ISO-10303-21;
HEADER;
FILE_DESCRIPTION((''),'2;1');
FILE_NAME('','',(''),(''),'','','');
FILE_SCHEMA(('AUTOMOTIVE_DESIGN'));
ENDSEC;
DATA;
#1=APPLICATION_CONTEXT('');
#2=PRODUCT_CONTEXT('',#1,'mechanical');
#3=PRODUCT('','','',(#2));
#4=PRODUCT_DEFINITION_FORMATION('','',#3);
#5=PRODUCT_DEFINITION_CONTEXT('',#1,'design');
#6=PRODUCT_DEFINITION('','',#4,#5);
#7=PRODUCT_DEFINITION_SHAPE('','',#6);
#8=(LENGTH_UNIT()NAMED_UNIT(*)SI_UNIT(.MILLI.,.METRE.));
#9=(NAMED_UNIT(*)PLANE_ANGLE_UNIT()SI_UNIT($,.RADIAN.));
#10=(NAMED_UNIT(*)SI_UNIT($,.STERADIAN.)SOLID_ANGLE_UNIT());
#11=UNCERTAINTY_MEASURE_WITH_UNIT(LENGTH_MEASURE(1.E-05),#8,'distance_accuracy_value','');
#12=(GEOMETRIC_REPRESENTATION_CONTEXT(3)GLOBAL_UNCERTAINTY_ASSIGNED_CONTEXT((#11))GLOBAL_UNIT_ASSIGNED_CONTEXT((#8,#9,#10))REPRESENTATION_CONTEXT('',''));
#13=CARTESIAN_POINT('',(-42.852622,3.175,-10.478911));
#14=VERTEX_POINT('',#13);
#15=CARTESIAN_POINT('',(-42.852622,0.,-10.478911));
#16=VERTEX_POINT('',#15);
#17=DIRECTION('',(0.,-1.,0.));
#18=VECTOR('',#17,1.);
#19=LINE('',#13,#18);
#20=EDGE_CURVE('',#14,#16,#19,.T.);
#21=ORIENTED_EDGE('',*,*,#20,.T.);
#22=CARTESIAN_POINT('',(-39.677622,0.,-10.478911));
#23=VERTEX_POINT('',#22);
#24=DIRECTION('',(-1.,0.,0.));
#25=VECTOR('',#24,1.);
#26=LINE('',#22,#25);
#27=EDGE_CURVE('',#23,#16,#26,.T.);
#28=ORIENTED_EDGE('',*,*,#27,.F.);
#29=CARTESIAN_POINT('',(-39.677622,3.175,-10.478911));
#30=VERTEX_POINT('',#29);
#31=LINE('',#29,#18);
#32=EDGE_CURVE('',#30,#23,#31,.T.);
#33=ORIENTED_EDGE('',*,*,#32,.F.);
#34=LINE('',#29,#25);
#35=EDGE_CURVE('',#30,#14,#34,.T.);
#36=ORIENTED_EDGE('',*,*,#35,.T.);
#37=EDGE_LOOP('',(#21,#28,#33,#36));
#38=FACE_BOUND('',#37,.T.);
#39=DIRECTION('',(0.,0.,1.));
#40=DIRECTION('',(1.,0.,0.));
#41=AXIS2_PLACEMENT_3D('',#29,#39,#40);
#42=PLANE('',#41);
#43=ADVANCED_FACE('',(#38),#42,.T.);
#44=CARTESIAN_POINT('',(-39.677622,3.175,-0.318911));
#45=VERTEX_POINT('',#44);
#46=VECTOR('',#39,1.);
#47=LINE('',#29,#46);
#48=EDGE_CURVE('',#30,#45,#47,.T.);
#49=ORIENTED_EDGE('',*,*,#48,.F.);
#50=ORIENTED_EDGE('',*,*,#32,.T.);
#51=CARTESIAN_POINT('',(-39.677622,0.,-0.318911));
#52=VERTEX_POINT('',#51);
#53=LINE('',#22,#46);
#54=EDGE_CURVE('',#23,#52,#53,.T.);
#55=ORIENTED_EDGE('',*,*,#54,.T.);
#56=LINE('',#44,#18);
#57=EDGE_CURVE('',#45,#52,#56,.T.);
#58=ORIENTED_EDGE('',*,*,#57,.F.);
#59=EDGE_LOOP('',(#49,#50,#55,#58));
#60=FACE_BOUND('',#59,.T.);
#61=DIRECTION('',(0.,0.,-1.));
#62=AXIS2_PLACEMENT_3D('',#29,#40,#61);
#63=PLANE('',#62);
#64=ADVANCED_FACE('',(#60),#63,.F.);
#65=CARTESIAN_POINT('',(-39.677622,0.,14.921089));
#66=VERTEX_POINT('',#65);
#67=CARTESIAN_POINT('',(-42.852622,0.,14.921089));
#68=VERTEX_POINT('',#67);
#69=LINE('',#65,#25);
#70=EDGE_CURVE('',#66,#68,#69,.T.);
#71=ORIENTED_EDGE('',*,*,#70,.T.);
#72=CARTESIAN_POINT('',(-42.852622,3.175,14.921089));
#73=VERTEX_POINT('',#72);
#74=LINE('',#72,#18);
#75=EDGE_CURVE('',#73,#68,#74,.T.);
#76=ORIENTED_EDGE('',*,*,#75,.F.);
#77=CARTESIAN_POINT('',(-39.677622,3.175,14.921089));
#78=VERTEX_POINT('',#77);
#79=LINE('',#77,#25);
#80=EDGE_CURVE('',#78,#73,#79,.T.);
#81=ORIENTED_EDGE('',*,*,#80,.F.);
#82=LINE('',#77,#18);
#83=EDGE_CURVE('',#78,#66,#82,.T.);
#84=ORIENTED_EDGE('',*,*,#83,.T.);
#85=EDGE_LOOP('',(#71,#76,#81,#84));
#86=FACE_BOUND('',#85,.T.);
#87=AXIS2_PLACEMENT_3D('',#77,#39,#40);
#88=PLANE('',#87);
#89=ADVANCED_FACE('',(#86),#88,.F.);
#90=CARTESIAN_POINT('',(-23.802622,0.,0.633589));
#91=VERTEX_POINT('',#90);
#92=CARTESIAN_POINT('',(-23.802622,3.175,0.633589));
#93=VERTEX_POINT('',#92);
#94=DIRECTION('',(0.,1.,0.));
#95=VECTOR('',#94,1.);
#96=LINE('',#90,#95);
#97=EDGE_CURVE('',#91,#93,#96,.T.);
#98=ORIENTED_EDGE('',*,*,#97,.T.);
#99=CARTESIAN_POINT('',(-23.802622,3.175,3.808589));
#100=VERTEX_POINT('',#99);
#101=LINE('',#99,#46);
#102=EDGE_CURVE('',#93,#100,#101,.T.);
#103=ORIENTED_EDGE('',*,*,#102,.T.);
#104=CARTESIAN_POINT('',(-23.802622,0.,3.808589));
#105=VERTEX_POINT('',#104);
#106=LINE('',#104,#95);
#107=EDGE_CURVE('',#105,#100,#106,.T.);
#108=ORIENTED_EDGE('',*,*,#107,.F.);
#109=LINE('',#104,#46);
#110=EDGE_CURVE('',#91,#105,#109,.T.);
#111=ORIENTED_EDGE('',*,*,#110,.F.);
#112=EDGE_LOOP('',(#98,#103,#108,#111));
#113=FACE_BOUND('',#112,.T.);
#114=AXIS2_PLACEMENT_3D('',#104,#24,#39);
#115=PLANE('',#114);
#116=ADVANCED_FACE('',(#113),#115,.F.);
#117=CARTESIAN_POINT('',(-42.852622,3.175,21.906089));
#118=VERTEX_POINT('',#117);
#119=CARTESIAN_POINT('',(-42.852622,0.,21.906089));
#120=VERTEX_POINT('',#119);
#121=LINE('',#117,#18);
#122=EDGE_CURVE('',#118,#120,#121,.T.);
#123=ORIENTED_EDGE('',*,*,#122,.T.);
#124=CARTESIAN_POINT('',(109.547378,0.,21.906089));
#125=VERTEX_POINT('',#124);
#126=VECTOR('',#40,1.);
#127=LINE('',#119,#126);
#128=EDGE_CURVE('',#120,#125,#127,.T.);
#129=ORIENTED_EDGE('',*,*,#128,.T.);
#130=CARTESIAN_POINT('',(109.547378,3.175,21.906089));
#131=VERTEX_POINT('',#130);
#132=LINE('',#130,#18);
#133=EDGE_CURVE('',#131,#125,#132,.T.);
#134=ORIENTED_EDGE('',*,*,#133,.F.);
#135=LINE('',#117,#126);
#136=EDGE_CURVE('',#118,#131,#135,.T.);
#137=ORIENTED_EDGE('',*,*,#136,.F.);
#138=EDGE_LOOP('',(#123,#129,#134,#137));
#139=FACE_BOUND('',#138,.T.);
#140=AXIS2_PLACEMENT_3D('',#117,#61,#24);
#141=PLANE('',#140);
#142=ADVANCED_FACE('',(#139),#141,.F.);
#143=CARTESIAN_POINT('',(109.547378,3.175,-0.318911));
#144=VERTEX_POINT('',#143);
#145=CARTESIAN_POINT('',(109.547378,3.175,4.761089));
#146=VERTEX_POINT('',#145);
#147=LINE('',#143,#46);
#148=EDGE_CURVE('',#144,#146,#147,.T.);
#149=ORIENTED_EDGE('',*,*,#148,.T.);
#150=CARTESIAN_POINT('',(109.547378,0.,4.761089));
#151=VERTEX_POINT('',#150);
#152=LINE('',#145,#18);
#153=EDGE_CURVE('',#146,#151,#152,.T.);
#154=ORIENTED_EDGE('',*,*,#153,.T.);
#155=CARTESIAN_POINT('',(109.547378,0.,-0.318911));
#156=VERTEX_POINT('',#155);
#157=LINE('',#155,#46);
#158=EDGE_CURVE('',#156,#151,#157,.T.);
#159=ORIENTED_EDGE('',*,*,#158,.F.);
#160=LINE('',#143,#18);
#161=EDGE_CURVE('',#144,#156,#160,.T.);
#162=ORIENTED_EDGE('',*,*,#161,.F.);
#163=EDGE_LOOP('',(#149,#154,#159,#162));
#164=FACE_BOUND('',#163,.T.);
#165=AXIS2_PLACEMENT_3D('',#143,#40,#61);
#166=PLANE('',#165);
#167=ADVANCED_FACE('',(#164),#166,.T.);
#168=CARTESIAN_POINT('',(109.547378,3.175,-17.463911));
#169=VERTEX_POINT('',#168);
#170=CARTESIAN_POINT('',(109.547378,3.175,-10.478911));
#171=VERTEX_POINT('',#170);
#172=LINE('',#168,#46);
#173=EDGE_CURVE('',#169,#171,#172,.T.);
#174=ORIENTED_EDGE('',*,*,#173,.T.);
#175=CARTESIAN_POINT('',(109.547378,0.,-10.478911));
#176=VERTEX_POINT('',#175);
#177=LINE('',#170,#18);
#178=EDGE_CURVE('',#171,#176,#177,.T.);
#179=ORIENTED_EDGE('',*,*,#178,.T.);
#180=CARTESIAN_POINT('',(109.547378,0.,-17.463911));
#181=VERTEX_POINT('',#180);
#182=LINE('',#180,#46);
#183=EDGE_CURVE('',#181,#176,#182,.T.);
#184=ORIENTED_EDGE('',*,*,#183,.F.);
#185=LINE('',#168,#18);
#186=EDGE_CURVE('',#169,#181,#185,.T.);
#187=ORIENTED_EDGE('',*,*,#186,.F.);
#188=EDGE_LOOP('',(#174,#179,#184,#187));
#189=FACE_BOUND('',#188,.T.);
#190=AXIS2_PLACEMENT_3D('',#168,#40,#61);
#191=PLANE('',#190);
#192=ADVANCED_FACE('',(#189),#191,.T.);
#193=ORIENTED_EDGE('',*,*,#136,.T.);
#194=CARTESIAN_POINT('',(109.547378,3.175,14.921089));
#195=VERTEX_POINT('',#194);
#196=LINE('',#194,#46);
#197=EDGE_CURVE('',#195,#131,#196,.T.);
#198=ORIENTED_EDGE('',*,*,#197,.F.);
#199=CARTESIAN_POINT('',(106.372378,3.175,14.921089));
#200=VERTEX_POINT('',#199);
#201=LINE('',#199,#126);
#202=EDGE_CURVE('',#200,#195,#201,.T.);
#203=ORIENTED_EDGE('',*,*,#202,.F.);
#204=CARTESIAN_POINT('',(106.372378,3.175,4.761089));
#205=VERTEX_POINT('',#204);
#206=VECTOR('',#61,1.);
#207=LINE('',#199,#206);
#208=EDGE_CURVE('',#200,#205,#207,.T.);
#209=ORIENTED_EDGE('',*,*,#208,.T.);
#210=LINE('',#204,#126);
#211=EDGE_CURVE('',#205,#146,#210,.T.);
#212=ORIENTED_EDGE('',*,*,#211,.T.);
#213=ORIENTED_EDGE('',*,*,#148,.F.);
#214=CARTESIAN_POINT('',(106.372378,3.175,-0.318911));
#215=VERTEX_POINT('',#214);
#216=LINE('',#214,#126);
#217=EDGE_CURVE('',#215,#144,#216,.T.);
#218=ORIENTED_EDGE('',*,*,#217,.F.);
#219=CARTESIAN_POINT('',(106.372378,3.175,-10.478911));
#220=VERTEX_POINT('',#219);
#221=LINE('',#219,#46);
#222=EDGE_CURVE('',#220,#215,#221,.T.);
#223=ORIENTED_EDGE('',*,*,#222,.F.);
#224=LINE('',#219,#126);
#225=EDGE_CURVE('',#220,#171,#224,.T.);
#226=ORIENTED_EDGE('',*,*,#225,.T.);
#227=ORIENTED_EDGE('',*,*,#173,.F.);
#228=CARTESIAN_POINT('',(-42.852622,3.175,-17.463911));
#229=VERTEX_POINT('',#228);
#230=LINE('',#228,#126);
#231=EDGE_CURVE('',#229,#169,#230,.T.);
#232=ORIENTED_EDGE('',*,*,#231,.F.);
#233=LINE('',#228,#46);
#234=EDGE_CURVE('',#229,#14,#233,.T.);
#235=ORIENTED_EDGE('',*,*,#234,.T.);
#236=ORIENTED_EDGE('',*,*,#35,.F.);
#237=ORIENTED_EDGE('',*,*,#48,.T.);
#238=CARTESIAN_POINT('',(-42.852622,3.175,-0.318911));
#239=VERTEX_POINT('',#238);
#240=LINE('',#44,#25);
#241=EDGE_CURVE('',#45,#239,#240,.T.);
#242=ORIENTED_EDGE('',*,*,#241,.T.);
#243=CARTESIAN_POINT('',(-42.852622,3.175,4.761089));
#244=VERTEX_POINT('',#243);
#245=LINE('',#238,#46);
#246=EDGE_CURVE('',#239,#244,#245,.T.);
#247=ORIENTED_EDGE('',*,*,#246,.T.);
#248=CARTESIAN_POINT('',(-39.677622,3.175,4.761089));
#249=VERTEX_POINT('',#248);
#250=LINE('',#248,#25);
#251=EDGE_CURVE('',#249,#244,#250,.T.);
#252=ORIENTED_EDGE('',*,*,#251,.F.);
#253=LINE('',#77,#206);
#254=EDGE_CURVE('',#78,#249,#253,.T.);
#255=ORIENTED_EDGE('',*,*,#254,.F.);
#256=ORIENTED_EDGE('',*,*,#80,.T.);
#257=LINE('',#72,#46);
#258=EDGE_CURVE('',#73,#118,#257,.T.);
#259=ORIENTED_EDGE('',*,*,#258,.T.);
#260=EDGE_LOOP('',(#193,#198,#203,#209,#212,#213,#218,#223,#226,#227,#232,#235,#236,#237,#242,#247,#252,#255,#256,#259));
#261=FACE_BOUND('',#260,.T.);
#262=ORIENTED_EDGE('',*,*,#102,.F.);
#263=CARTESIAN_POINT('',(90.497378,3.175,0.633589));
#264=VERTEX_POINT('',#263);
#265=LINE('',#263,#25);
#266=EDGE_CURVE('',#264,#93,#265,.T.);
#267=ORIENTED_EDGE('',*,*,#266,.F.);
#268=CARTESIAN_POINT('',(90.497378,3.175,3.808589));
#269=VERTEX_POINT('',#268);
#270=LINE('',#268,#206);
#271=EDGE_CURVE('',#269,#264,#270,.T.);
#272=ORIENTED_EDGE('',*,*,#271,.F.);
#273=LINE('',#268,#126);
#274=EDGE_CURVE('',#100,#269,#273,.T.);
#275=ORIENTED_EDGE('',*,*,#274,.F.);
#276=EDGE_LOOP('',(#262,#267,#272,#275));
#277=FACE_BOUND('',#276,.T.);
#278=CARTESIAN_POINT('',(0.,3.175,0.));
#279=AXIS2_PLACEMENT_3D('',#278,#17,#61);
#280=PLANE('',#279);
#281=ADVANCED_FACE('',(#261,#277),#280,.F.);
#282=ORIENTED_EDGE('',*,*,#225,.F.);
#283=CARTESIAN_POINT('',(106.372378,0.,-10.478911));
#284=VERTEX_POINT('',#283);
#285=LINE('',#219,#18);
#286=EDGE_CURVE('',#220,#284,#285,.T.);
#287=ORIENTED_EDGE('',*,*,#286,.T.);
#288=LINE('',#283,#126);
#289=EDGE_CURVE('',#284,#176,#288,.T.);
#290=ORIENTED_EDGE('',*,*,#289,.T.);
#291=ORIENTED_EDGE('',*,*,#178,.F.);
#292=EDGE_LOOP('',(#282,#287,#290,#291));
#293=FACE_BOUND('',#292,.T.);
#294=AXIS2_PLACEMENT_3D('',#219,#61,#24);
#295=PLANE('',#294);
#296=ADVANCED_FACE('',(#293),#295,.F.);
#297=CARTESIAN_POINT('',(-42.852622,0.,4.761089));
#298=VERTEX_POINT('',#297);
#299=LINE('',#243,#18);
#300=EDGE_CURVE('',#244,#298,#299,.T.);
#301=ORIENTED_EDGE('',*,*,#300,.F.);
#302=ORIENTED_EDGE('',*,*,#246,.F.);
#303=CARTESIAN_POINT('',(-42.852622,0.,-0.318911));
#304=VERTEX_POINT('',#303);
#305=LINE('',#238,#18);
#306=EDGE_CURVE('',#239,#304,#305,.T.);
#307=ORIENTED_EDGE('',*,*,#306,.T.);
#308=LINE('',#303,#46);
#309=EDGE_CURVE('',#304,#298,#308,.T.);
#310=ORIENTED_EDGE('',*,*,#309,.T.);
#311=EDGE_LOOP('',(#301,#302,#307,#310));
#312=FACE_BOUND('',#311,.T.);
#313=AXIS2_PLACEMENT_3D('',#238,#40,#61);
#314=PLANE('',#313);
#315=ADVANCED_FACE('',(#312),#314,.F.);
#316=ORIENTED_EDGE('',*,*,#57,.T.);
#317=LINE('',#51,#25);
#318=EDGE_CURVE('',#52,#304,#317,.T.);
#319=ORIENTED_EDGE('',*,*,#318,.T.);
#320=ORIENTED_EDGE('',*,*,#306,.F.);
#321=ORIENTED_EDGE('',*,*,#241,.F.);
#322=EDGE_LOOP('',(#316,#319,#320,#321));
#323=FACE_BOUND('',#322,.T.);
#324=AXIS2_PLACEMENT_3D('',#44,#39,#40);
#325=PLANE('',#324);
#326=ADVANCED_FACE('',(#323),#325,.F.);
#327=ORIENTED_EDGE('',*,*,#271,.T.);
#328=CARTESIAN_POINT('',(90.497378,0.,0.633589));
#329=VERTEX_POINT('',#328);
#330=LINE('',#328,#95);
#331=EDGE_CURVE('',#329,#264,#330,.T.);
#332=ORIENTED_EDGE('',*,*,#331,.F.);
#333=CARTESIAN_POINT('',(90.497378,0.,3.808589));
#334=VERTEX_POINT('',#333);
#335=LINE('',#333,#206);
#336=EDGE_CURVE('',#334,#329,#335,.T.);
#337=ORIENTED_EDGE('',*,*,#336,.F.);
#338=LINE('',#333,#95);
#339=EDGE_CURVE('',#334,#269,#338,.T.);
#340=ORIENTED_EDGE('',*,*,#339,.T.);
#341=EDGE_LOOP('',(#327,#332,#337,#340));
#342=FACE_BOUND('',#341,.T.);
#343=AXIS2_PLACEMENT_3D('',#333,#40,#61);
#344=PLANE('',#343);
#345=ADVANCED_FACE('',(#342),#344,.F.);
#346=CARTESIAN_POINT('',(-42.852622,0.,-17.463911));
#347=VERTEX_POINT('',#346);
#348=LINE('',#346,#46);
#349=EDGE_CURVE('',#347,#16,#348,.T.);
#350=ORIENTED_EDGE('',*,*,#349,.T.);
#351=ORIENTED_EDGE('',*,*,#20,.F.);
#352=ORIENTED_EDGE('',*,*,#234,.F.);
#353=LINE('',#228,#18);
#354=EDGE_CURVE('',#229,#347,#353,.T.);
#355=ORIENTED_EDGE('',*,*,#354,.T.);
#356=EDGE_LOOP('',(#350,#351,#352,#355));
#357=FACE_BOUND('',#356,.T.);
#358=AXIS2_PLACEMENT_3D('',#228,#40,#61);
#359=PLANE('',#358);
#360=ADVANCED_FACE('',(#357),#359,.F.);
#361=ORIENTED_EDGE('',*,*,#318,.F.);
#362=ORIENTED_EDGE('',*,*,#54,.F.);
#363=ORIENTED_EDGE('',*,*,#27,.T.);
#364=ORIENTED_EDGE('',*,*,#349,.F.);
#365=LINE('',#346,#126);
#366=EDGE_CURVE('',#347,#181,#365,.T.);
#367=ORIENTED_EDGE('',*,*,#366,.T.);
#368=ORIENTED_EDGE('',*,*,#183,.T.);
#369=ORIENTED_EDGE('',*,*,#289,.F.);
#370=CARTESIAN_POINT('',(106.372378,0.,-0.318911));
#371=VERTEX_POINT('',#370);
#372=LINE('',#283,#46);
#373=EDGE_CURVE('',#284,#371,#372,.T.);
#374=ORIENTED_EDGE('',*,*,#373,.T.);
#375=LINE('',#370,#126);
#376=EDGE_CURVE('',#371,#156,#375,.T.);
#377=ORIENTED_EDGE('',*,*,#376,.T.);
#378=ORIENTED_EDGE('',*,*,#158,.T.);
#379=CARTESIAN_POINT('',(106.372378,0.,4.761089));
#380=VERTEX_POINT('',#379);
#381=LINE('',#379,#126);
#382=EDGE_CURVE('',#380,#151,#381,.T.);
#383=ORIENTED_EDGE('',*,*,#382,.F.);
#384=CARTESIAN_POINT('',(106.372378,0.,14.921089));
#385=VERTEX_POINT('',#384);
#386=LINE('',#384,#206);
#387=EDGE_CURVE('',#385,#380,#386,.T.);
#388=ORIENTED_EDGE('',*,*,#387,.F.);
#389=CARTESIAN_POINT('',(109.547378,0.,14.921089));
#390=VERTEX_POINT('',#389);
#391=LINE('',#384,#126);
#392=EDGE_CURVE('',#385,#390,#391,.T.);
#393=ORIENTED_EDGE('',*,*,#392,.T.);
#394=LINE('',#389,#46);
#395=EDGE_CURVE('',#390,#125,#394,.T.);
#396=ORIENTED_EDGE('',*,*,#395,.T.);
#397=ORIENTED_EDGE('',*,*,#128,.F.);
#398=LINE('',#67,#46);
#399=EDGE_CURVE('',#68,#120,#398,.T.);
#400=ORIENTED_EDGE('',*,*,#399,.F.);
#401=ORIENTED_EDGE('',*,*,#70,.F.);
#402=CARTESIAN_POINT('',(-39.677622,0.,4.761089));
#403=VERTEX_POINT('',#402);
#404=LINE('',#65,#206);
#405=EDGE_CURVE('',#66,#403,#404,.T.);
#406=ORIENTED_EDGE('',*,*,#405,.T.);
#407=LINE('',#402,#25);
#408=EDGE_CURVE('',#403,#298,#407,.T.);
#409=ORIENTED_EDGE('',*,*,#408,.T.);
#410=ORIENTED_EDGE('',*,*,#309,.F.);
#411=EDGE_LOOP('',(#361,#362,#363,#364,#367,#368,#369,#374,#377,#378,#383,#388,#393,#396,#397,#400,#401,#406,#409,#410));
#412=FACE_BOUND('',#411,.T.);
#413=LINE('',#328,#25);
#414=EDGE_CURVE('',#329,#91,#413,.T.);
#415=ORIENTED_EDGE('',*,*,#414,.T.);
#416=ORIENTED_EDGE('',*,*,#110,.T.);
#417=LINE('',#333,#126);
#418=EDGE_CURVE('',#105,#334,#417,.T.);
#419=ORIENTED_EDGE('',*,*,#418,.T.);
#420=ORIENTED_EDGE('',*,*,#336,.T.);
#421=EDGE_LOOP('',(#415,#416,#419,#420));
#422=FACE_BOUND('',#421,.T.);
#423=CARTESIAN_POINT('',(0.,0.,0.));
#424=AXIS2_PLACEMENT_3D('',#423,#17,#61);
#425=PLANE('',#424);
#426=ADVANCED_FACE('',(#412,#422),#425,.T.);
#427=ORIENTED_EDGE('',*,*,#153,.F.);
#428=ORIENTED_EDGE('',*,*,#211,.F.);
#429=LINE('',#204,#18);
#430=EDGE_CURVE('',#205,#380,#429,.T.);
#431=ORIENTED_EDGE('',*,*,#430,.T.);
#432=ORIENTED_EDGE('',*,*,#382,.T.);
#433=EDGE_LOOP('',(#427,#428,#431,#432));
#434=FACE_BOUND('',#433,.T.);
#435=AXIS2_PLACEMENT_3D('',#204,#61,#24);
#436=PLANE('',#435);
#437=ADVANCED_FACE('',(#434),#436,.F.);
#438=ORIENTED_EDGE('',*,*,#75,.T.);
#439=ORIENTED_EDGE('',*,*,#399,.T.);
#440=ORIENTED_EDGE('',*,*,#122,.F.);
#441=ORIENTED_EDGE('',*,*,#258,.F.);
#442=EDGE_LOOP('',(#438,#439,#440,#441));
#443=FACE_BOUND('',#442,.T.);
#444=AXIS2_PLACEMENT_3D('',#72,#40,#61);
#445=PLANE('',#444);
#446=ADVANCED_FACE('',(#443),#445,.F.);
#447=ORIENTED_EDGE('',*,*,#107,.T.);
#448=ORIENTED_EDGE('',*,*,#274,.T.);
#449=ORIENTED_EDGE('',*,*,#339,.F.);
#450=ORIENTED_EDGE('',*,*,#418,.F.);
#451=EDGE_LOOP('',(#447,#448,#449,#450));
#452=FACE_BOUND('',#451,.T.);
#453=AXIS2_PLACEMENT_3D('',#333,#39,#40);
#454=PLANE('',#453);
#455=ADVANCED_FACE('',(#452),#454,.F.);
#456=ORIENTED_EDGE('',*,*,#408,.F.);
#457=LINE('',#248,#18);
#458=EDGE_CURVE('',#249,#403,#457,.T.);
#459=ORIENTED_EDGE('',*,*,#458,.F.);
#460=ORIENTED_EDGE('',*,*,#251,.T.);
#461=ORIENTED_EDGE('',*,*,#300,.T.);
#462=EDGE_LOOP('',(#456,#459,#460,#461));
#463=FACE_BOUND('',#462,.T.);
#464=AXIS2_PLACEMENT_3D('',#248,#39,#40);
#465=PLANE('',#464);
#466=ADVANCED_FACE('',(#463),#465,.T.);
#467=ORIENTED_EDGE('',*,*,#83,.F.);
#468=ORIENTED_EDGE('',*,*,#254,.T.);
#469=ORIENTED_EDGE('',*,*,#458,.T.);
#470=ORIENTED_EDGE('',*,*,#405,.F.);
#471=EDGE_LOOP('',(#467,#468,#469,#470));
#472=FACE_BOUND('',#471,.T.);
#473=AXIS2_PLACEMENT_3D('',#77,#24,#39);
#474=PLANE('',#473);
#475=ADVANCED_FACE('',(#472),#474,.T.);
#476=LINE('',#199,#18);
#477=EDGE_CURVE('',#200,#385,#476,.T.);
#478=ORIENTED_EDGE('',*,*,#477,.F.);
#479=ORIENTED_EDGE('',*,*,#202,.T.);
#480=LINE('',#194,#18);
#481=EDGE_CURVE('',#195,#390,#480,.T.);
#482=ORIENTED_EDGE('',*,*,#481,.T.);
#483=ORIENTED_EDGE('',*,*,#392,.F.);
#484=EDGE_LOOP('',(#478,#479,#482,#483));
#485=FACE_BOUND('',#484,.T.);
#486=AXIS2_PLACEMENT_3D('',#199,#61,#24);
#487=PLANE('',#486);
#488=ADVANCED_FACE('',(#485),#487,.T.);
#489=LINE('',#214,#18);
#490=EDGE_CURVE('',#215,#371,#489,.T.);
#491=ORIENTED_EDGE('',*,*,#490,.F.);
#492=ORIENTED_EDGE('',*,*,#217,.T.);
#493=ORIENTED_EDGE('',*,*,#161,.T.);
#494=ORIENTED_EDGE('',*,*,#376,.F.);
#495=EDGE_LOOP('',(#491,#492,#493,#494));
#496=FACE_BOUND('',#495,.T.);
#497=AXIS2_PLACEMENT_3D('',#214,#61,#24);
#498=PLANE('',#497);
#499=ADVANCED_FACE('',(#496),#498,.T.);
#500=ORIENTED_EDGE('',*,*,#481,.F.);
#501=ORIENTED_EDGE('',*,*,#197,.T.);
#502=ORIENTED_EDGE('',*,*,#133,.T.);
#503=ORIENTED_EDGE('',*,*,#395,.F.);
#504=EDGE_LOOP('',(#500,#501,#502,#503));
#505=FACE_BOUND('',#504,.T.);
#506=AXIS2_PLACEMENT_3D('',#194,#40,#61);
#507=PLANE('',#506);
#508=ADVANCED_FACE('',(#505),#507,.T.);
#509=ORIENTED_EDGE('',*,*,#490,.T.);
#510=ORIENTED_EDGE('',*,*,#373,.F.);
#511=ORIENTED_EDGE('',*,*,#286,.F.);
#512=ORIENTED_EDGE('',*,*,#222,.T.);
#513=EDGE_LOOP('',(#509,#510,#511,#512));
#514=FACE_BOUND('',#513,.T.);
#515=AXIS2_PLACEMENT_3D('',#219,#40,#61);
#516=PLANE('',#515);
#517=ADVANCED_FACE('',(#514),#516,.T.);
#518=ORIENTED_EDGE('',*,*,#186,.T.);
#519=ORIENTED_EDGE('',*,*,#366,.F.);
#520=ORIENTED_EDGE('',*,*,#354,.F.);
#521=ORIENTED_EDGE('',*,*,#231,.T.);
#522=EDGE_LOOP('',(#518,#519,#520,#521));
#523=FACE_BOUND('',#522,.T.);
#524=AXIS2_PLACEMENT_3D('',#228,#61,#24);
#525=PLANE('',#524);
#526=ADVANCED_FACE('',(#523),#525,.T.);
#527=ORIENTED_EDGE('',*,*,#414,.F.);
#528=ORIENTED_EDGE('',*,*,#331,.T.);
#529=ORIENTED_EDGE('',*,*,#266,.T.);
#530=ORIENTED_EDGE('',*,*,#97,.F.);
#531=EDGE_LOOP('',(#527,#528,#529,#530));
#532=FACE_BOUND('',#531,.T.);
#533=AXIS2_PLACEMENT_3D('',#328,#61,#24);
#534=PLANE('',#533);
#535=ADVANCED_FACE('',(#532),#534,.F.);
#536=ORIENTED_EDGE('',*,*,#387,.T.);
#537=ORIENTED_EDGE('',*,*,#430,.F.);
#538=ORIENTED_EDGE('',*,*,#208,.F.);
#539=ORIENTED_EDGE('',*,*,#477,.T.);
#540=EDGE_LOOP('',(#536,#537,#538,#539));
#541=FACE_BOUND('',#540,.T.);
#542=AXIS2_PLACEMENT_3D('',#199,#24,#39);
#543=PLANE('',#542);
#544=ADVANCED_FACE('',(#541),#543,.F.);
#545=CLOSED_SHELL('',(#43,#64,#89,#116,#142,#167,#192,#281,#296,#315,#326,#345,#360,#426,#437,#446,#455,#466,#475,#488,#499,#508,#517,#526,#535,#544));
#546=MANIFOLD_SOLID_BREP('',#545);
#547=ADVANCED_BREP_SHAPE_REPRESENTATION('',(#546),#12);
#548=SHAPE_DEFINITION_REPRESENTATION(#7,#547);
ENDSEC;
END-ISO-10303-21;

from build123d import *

# Parameters (mm, degrees)
BOSS_EXTRUDE1_DEPTH = 3.175
SKETCH2_W           = 114.3
SKETCH2_H           = 3.175
CUT_EXTRUDE1_DEPTH  = 4.175


with BuildPart() as part:
    # Sketch1 → Boss-Extrude1 (new body)
    with BuildSketch(Plane(origin=(0, 0, 0), x_dir=(1, 0, 0), z_dir=(0, 1, 0))):
        Polygon((-42.852622222, 17.463911111), (109.547377778, 17.463911111), (109.547377778, 10.478911111), (106.372377778, 10.478911111), (106.372377778, 0.318911111), (109.547377778, 0.318911111), (109.547377778, -4.761088889), (106.372377778, -4.761088889), (106.372377778, -14.921088889), (109.547377778, -14.921088889), (109.547377778, -21.906088889), (-42.852622222, -21.906088889), (-42.852622222, -14.921088889), (-39.677622222, -14.921088889), (-39.677622222, -4.761088889), (-42.852622222, -4.761088889), (-42.852622222, 0.318911111), (-39.677622222, 0.318911111), (-39.677622222, 10.478911111), (-42.852622222, 10.478911111), align=None)
    extrude(amount=BOSS_EXTRUDE1_DEPTH)

    # Sketch2 → Cut-Extrude1 (cut, through all)
    with BuildSketch(Plane(origin=(0, 3.175, 0), x_dir=(1, 0, 0), z_dir=(0, 1, 0))):
        with Locations((33.347377778, -2.221088889)):
            Rectangle(SKETCH2_W, SKETCH2_H)
    extrude(amount=-CUT_EXTRUDE1_DEPTH, mode=Mode.SUBTRACT)


solid = part.part
